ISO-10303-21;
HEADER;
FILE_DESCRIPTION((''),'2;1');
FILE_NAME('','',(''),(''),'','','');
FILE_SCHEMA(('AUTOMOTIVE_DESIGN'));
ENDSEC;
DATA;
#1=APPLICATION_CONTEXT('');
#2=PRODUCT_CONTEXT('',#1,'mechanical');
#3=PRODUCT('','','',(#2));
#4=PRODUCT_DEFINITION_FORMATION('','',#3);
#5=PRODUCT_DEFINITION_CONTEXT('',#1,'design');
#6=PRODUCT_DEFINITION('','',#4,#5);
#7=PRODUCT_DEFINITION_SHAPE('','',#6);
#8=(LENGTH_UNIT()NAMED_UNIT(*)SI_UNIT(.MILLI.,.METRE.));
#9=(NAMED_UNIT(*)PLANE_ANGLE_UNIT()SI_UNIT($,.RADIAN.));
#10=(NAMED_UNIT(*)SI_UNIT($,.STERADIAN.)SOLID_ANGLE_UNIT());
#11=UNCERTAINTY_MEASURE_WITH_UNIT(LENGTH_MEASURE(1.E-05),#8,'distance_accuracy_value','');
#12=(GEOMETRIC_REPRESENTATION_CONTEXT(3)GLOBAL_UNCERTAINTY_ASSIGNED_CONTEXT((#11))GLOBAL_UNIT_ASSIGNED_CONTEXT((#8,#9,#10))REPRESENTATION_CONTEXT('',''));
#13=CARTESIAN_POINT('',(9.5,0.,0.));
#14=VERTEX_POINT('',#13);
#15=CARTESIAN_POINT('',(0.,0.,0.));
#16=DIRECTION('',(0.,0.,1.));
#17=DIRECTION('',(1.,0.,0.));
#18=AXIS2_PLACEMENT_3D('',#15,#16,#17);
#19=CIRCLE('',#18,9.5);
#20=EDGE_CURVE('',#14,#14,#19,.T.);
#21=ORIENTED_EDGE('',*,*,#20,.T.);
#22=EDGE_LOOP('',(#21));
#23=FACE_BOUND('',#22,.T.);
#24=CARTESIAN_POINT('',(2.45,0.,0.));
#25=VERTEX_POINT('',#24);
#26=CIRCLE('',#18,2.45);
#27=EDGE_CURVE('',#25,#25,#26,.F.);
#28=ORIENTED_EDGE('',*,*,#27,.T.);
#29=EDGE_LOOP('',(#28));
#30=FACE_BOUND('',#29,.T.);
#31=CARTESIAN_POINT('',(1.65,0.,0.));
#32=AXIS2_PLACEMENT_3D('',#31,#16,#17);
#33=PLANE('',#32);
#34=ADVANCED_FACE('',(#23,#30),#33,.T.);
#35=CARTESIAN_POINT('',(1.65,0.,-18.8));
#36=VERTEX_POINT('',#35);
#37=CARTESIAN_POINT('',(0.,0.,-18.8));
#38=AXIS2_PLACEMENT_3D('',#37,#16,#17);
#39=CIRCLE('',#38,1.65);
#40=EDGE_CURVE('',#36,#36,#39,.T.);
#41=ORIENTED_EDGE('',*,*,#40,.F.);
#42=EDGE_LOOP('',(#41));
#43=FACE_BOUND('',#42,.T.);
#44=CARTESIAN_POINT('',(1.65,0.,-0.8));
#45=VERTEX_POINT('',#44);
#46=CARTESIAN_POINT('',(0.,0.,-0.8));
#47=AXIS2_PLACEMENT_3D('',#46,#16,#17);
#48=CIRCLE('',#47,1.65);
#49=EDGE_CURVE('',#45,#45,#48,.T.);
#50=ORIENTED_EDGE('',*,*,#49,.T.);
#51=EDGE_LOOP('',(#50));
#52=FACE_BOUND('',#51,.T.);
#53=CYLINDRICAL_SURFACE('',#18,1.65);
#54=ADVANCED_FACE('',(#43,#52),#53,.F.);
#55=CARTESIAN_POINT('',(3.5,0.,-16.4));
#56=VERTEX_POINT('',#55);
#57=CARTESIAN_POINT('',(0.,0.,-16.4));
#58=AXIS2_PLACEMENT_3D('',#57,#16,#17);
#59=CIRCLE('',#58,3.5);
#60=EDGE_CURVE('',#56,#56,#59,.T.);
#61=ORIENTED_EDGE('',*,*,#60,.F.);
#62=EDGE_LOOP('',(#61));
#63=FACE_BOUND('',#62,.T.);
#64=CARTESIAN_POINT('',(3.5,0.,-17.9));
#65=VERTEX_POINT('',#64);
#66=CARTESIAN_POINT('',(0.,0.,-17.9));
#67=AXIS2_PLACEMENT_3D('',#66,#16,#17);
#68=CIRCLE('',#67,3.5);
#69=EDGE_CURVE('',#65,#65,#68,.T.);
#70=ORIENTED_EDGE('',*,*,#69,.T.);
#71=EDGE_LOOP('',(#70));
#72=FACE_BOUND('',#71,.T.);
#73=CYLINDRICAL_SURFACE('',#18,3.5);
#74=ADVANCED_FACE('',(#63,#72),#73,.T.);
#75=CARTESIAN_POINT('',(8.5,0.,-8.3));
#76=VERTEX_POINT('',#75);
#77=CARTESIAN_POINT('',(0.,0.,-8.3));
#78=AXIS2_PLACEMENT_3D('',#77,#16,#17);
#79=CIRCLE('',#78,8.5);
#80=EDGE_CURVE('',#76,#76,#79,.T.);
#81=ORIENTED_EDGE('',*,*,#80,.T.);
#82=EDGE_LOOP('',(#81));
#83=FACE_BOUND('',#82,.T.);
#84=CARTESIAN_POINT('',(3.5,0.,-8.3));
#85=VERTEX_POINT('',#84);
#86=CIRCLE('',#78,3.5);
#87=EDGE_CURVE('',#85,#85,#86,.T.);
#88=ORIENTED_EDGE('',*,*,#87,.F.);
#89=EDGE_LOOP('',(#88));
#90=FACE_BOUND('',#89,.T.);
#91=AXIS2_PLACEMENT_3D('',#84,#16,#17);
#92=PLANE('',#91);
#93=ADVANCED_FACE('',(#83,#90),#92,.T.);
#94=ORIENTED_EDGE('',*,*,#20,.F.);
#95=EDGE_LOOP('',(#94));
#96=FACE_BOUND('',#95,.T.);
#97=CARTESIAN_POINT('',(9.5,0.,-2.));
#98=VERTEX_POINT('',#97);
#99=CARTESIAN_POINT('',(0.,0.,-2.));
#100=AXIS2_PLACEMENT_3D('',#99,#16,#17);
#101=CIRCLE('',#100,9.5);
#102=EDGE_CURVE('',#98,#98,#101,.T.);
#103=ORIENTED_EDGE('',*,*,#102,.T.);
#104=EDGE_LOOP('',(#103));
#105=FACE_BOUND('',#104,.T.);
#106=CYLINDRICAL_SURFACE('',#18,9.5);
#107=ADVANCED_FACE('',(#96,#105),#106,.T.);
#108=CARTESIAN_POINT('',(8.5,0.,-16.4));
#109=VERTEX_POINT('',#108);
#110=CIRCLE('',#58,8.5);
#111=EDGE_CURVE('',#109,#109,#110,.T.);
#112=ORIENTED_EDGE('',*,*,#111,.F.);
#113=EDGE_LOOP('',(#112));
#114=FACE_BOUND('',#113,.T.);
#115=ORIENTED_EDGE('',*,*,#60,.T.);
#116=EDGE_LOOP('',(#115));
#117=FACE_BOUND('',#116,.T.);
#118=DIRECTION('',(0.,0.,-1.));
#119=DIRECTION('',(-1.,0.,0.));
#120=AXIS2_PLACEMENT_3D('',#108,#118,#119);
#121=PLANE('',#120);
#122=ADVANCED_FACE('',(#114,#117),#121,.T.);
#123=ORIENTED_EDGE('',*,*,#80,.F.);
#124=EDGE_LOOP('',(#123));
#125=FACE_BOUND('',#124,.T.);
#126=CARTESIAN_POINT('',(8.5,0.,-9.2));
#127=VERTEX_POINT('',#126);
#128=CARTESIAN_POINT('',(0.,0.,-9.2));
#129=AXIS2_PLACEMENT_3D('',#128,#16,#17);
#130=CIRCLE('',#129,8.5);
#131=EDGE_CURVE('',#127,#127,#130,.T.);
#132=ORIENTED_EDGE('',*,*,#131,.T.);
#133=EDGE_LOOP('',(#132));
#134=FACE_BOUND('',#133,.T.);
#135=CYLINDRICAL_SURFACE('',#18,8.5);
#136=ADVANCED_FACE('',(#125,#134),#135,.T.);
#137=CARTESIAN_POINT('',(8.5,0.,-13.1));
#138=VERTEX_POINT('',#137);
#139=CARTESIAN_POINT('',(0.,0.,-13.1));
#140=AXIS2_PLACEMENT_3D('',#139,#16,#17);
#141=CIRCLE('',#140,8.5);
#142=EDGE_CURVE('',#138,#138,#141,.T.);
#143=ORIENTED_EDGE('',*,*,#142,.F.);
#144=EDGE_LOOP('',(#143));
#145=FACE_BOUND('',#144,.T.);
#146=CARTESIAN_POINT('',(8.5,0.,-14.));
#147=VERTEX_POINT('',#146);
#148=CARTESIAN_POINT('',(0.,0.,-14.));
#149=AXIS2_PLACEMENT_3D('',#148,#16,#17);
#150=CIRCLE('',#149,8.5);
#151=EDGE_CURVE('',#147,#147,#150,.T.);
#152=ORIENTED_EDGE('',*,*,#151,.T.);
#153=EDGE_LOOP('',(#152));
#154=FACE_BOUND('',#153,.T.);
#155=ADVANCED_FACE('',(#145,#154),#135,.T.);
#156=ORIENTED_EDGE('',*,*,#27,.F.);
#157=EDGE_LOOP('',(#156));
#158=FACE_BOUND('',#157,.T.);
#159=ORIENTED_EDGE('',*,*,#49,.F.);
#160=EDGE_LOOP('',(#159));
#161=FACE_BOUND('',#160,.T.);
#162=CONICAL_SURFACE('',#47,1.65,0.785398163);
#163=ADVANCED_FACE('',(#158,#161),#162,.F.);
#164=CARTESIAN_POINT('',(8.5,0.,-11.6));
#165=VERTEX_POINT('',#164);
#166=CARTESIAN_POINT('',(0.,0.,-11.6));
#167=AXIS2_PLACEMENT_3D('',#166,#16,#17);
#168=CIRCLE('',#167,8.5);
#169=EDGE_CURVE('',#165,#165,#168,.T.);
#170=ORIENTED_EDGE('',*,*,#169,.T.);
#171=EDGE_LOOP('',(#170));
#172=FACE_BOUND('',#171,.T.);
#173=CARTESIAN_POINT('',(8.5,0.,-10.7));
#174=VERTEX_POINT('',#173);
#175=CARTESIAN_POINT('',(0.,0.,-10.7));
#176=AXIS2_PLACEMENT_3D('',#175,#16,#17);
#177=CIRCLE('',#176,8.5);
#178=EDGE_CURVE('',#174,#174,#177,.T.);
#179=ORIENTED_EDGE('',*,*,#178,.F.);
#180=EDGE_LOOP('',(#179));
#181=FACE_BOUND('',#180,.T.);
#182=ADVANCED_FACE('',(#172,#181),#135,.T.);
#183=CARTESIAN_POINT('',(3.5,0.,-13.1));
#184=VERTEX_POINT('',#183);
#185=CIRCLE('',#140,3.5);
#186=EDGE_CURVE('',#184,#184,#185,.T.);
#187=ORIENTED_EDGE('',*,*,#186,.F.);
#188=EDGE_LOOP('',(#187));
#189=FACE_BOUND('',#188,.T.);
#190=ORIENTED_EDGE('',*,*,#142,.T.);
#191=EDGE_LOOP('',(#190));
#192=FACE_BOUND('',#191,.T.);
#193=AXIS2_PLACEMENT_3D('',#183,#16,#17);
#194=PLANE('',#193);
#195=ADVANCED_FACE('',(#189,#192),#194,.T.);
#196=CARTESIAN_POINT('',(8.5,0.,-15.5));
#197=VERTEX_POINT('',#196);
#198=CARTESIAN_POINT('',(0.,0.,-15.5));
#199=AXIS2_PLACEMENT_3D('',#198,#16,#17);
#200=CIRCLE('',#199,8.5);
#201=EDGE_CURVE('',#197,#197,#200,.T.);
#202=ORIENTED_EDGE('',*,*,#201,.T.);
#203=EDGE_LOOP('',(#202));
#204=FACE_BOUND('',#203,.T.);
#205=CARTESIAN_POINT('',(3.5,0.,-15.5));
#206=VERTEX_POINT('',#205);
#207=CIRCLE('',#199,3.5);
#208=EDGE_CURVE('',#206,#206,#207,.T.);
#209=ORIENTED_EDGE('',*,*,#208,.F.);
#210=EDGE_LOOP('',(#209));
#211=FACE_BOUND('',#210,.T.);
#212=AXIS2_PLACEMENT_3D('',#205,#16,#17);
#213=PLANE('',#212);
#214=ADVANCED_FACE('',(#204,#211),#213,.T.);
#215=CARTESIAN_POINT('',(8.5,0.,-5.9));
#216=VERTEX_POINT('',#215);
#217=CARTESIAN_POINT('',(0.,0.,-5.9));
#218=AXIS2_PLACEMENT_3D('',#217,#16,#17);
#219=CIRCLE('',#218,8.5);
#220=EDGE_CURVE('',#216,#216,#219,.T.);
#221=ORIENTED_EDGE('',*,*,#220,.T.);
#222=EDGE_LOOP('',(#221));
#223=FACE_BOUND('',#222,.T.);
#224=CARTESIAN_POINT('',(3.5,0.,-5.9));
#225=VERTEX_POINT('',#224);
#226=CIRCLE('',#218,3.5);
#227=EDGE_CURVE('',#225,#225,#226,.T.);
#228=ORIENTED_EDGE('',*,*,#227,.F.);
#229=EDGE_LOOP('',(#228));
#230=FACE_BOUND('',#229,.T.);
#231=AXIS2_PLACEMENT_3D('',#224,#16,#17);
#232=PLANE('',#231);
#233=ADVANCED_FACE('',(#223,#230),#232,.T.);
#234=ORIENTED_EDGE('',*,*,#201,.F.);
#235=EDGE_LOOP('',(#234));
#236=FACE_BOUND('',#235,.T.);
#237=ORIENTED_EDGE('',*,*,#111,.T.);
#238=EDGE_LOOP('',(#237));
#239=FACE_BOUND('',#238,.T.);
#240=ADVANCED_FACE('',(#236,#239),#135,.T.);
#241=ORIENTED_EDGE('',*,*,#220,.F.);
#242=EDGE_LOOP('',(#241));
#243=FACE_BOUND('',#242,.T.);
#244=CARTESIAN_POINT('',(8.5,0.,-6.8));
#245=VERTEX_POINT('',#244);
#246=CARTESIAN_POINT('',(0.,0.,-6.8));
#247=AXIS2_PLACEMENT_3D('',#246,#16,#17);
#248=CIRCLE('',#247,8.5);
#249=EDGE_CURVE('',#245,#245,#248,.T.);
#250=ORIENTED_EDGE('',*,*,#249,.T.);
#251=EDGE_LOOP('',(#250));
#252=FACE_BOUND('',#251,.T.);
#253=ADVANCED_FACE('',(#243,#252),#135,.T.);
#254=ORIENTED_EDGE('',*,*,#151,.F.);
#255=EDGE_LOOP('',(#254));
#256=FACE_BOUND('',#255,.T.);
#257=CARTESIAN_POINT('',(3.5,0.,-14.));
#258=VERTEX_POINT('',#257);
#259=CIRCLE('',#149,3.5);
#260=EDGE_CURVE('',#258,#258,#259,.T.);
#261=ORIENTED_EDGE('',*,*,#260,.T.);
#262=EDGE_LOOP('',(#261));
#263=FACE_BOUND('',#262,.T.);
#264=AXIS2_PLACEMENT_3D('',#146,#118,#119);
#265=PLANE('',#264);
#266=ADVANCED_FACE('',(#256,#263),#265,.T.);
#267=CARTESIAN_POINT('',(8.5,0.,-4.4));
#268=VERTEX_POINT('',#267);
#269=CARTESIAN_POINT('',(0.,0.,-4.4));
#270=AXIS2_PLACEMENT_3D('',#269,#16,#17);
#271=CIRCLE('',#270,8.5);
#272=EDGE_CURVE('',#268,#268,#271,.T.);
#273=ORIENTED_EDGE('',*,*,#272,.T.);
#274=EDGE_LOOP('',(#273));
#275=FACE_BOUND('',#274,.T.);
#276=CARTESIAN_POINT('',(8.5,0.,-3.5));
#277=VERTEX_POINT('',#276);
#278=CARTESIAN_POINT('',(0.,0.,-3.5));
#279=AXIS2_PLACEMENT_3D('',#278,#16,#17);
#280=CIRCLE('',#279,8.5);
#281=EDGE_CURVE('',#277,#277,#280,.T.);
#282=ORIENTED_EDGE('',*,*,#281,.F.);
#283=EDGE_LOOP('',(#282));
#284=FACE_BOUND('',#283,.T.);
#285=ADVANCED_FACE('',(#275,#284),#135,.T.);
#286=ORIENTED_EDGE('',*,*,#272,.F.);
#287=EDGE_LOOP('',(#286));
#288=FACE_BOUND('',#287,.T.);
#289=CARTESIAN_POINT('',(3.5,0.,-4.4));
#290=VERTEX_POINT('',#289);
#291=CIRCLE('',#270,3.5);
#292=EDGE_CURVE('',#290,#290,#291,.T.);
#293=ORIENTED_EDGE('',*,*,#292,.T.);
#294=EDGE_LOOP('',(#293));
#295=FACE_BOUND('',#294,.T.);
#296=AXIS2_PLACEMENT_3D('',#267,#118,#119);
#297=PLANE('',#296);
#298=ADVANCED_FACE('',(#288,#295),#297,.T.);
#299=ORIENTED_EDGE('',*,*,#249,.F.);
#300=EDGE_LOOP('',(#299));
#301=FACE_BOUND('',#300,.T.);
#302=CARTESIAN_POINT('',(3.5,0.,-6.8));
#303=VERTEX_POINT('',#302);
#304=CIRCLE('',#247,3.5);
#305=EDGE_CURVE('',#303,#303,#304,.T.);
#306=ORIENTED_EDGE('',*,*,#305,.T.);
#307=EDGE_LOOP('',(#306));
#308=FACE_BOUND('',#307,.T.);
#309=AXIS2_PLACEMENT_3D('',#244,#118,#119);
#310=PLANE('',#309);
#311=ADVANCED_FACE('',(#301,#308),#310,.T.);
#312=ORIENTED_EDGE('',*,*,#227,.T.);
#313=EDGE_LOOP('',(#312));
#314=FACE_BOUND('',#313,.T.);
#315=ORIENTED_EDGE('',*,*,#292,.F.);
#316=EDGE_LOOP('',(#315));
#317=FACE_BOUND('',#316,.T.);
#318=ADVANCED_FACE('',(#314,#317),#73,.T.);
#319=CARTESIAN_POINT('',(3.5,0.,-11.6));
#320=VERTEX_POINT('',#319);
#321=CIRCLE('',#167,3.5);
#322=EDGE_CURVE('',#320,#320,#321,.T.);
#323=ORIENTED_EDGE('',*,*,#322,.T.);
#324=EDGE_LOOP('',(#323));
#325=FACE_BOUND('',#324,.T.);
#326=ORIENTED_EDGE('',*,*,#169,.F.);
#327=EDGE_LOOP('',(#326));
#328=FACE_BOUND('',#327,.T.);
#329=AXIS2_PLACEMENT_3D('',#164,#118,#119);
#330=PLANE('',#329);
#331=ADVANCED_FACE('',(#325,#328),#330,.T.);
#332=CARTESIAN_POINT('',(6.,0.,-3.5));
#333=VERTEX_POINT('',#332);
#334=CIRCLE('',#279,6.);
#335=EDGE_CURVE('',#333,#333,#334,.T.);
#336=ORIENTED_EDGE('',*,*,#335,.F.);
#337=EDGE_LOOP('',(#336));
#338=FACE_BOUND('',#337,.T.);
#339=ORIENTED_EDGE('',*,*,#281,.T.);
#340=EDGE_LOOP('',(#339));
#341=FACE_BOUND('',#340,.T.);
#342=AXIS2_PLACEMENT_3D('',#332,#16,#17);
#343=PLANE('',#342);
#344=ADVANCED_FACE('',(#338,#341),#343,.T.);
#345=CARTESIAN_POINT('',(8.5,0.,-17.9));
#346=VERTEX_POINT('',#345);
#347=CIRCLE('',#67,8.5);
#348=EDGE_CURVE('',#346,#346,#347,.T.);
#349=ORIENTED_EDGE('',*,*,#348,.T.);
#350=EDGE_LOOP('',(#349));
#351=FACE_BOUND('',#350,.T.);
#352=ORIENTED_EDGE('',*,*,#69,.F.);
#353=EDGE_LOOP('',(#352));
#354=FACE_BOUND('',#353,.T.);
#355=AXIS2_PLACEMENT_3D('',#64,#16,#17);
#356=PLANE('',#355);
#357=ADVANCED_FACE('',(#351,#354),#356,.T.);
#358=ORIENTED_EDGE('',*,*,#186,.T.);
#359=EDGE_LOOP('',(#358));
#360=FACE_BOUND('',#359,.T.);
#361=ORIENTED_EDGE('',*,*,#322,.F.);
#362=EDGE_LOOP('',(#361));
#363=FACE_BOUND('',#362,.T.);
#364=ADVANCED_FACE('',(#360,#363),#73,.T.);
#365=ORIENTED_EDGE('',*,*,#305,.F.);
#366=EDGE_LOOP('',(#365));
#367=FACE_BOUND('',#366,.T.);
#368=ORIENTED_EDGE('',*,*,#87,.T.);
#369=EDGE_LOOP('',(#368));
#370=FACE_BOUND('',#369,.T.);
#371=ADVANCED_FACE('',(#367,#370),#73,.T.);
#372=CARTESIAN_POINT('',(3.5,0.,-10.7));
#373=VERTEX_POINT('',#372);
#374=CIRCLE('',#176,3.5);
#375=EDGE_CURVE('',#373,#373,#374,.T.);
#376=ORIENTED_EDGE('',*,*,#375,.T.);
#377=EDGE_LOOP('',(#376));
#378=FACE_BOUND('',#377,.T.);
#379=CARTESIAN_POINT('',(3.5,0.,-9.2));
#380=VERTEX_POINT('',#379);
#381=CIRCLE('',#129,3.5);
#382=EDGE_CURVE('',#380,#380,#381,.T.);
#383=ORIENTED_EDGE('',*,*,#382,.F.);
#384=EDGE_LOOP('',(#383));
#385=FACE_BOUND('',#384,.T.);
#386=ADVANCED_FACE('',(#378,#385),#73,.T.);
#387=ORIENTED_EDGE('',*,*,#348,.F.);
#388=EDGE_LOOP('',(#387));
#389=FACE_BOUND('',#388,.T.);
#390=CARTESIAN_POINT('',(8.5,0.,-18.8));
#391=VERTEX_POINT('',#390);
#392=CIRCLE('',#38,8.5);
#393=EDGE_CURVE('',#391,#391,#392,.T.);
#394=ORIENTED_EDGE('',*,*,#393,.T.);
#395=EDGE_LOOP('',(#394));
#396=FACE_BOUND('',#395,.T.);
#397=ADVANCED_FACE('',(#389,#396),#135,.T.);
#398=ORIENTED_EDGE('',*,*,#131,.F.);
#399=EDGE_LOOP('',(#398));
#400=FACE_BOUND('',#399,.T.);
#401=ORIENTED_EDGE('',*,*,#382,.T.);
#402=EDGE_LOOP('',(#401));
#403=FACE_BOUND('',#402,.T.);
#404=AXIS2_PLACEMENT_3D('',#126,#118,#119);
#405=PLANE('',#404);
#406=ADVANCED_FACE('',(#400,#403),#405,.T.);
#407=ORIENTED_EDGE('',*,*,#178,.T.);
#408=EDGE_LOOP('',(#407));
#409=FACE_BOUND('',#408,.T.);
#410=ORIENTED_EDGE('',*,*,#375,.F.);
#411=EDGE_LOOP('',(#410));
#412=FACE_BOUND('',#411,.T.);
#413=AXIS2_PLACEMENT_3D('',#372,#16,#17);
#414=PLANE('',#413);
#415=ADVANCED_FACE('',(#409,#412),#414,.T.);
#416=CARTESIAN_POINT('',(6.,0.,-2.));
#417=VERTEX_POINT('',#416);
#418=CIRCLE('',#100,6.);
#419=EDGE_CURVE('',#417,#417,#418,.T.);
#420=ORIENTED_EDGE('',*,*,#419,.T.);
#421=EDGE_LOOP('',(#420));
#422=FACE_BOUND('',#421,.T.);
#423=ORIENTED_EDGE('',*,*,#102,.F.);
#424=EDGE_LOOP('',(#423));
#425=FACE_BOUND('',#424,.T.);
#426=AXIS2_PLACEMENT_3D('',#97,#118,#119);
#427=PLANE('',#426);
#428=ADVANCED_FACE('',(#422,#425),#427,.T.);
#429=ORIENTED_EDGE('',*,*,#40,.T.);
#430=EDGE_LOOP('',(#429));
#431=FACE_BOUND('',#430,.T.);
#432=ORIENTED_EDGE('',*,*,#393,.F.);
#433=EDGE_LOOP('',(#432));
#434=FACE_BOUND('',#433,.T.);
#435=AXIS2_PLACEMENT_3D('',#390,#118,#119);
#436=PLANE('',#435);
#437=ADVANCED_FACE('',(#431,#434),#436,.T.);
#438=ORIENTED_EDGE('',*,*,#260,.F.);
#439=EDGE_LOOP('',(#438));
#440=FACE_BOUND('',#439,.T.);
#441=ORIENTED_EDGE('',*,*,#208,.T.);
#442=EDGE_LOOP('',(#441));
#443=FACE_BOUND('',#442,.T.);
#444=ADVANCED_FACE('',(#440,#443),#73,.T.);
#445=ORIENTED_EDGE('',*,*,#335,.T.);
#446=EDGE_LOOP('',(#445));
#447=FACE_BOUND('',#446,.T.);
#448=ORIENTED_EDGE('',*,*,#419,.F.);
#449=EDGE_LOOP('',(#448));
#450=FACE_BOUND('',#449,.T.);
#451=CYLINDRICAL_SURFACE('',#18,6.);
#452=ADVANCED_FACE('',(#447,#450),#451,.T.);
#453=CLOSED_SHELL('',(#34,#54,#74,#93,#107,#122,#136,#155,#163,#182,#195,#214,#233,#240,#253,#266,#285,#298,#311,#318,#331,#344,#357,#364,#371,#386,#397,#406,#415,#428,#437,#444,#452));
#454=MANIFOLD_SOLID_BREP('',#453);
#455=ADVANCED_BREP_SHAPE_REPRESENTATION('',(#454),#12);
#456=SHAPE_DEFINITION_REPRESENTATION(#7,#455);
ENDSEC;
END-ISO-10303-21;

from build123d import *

# Parameters (mm, degrees)
CHAMFER1_SIZE = 0.8


with BuildPart() as part:
    # Sketch2 → Revolve1 (revolve)
    with BuildSketch(Plane(origin=(0, 0, 0), x_dir=(1, 0, 0), z_dir=(0, 1, 0))):
        Polygon((1.65, 18.8), (1.65, 0), (9.5, 0), (9.5, 2), (6, 2), (6, 3.5), (8.5, 3.5), (8.5, 4.4), (3.5, 4.4), (3.5, 5.9), (8.5, 5.9), (8.5, 6.8), (3.5, 6.8), (3.5, 8.3), (8.5, 8.3), (8.5, 9.2), (3.5, 9.2), (3.5, 10.7), (8.5, 10.7), (8.5, 11.6), (3.5, 11.6), (3.5, 13.1), (8.5, 13.1), (8.5, 14), (3.5, 14), (3.5, 15.5), (8.5, 15.5), (8.5, 16.4), (3.5, 16.4), (3.5, 17.9), (8.5, 17.9), (8.5, 18.8), align=None)
    revolve(axis=Axis((0, 0, 0), (0, 0, -1)))

    # Chamfer1
    chamfer1_edges = [part.edges().sort_by_distance(p)[0] for p in [
        (-1.65, 0, 0),
    ]]
    chamfer(chamfer1_edges, length=CHAMFER1_SIZE)


solid = part.part
